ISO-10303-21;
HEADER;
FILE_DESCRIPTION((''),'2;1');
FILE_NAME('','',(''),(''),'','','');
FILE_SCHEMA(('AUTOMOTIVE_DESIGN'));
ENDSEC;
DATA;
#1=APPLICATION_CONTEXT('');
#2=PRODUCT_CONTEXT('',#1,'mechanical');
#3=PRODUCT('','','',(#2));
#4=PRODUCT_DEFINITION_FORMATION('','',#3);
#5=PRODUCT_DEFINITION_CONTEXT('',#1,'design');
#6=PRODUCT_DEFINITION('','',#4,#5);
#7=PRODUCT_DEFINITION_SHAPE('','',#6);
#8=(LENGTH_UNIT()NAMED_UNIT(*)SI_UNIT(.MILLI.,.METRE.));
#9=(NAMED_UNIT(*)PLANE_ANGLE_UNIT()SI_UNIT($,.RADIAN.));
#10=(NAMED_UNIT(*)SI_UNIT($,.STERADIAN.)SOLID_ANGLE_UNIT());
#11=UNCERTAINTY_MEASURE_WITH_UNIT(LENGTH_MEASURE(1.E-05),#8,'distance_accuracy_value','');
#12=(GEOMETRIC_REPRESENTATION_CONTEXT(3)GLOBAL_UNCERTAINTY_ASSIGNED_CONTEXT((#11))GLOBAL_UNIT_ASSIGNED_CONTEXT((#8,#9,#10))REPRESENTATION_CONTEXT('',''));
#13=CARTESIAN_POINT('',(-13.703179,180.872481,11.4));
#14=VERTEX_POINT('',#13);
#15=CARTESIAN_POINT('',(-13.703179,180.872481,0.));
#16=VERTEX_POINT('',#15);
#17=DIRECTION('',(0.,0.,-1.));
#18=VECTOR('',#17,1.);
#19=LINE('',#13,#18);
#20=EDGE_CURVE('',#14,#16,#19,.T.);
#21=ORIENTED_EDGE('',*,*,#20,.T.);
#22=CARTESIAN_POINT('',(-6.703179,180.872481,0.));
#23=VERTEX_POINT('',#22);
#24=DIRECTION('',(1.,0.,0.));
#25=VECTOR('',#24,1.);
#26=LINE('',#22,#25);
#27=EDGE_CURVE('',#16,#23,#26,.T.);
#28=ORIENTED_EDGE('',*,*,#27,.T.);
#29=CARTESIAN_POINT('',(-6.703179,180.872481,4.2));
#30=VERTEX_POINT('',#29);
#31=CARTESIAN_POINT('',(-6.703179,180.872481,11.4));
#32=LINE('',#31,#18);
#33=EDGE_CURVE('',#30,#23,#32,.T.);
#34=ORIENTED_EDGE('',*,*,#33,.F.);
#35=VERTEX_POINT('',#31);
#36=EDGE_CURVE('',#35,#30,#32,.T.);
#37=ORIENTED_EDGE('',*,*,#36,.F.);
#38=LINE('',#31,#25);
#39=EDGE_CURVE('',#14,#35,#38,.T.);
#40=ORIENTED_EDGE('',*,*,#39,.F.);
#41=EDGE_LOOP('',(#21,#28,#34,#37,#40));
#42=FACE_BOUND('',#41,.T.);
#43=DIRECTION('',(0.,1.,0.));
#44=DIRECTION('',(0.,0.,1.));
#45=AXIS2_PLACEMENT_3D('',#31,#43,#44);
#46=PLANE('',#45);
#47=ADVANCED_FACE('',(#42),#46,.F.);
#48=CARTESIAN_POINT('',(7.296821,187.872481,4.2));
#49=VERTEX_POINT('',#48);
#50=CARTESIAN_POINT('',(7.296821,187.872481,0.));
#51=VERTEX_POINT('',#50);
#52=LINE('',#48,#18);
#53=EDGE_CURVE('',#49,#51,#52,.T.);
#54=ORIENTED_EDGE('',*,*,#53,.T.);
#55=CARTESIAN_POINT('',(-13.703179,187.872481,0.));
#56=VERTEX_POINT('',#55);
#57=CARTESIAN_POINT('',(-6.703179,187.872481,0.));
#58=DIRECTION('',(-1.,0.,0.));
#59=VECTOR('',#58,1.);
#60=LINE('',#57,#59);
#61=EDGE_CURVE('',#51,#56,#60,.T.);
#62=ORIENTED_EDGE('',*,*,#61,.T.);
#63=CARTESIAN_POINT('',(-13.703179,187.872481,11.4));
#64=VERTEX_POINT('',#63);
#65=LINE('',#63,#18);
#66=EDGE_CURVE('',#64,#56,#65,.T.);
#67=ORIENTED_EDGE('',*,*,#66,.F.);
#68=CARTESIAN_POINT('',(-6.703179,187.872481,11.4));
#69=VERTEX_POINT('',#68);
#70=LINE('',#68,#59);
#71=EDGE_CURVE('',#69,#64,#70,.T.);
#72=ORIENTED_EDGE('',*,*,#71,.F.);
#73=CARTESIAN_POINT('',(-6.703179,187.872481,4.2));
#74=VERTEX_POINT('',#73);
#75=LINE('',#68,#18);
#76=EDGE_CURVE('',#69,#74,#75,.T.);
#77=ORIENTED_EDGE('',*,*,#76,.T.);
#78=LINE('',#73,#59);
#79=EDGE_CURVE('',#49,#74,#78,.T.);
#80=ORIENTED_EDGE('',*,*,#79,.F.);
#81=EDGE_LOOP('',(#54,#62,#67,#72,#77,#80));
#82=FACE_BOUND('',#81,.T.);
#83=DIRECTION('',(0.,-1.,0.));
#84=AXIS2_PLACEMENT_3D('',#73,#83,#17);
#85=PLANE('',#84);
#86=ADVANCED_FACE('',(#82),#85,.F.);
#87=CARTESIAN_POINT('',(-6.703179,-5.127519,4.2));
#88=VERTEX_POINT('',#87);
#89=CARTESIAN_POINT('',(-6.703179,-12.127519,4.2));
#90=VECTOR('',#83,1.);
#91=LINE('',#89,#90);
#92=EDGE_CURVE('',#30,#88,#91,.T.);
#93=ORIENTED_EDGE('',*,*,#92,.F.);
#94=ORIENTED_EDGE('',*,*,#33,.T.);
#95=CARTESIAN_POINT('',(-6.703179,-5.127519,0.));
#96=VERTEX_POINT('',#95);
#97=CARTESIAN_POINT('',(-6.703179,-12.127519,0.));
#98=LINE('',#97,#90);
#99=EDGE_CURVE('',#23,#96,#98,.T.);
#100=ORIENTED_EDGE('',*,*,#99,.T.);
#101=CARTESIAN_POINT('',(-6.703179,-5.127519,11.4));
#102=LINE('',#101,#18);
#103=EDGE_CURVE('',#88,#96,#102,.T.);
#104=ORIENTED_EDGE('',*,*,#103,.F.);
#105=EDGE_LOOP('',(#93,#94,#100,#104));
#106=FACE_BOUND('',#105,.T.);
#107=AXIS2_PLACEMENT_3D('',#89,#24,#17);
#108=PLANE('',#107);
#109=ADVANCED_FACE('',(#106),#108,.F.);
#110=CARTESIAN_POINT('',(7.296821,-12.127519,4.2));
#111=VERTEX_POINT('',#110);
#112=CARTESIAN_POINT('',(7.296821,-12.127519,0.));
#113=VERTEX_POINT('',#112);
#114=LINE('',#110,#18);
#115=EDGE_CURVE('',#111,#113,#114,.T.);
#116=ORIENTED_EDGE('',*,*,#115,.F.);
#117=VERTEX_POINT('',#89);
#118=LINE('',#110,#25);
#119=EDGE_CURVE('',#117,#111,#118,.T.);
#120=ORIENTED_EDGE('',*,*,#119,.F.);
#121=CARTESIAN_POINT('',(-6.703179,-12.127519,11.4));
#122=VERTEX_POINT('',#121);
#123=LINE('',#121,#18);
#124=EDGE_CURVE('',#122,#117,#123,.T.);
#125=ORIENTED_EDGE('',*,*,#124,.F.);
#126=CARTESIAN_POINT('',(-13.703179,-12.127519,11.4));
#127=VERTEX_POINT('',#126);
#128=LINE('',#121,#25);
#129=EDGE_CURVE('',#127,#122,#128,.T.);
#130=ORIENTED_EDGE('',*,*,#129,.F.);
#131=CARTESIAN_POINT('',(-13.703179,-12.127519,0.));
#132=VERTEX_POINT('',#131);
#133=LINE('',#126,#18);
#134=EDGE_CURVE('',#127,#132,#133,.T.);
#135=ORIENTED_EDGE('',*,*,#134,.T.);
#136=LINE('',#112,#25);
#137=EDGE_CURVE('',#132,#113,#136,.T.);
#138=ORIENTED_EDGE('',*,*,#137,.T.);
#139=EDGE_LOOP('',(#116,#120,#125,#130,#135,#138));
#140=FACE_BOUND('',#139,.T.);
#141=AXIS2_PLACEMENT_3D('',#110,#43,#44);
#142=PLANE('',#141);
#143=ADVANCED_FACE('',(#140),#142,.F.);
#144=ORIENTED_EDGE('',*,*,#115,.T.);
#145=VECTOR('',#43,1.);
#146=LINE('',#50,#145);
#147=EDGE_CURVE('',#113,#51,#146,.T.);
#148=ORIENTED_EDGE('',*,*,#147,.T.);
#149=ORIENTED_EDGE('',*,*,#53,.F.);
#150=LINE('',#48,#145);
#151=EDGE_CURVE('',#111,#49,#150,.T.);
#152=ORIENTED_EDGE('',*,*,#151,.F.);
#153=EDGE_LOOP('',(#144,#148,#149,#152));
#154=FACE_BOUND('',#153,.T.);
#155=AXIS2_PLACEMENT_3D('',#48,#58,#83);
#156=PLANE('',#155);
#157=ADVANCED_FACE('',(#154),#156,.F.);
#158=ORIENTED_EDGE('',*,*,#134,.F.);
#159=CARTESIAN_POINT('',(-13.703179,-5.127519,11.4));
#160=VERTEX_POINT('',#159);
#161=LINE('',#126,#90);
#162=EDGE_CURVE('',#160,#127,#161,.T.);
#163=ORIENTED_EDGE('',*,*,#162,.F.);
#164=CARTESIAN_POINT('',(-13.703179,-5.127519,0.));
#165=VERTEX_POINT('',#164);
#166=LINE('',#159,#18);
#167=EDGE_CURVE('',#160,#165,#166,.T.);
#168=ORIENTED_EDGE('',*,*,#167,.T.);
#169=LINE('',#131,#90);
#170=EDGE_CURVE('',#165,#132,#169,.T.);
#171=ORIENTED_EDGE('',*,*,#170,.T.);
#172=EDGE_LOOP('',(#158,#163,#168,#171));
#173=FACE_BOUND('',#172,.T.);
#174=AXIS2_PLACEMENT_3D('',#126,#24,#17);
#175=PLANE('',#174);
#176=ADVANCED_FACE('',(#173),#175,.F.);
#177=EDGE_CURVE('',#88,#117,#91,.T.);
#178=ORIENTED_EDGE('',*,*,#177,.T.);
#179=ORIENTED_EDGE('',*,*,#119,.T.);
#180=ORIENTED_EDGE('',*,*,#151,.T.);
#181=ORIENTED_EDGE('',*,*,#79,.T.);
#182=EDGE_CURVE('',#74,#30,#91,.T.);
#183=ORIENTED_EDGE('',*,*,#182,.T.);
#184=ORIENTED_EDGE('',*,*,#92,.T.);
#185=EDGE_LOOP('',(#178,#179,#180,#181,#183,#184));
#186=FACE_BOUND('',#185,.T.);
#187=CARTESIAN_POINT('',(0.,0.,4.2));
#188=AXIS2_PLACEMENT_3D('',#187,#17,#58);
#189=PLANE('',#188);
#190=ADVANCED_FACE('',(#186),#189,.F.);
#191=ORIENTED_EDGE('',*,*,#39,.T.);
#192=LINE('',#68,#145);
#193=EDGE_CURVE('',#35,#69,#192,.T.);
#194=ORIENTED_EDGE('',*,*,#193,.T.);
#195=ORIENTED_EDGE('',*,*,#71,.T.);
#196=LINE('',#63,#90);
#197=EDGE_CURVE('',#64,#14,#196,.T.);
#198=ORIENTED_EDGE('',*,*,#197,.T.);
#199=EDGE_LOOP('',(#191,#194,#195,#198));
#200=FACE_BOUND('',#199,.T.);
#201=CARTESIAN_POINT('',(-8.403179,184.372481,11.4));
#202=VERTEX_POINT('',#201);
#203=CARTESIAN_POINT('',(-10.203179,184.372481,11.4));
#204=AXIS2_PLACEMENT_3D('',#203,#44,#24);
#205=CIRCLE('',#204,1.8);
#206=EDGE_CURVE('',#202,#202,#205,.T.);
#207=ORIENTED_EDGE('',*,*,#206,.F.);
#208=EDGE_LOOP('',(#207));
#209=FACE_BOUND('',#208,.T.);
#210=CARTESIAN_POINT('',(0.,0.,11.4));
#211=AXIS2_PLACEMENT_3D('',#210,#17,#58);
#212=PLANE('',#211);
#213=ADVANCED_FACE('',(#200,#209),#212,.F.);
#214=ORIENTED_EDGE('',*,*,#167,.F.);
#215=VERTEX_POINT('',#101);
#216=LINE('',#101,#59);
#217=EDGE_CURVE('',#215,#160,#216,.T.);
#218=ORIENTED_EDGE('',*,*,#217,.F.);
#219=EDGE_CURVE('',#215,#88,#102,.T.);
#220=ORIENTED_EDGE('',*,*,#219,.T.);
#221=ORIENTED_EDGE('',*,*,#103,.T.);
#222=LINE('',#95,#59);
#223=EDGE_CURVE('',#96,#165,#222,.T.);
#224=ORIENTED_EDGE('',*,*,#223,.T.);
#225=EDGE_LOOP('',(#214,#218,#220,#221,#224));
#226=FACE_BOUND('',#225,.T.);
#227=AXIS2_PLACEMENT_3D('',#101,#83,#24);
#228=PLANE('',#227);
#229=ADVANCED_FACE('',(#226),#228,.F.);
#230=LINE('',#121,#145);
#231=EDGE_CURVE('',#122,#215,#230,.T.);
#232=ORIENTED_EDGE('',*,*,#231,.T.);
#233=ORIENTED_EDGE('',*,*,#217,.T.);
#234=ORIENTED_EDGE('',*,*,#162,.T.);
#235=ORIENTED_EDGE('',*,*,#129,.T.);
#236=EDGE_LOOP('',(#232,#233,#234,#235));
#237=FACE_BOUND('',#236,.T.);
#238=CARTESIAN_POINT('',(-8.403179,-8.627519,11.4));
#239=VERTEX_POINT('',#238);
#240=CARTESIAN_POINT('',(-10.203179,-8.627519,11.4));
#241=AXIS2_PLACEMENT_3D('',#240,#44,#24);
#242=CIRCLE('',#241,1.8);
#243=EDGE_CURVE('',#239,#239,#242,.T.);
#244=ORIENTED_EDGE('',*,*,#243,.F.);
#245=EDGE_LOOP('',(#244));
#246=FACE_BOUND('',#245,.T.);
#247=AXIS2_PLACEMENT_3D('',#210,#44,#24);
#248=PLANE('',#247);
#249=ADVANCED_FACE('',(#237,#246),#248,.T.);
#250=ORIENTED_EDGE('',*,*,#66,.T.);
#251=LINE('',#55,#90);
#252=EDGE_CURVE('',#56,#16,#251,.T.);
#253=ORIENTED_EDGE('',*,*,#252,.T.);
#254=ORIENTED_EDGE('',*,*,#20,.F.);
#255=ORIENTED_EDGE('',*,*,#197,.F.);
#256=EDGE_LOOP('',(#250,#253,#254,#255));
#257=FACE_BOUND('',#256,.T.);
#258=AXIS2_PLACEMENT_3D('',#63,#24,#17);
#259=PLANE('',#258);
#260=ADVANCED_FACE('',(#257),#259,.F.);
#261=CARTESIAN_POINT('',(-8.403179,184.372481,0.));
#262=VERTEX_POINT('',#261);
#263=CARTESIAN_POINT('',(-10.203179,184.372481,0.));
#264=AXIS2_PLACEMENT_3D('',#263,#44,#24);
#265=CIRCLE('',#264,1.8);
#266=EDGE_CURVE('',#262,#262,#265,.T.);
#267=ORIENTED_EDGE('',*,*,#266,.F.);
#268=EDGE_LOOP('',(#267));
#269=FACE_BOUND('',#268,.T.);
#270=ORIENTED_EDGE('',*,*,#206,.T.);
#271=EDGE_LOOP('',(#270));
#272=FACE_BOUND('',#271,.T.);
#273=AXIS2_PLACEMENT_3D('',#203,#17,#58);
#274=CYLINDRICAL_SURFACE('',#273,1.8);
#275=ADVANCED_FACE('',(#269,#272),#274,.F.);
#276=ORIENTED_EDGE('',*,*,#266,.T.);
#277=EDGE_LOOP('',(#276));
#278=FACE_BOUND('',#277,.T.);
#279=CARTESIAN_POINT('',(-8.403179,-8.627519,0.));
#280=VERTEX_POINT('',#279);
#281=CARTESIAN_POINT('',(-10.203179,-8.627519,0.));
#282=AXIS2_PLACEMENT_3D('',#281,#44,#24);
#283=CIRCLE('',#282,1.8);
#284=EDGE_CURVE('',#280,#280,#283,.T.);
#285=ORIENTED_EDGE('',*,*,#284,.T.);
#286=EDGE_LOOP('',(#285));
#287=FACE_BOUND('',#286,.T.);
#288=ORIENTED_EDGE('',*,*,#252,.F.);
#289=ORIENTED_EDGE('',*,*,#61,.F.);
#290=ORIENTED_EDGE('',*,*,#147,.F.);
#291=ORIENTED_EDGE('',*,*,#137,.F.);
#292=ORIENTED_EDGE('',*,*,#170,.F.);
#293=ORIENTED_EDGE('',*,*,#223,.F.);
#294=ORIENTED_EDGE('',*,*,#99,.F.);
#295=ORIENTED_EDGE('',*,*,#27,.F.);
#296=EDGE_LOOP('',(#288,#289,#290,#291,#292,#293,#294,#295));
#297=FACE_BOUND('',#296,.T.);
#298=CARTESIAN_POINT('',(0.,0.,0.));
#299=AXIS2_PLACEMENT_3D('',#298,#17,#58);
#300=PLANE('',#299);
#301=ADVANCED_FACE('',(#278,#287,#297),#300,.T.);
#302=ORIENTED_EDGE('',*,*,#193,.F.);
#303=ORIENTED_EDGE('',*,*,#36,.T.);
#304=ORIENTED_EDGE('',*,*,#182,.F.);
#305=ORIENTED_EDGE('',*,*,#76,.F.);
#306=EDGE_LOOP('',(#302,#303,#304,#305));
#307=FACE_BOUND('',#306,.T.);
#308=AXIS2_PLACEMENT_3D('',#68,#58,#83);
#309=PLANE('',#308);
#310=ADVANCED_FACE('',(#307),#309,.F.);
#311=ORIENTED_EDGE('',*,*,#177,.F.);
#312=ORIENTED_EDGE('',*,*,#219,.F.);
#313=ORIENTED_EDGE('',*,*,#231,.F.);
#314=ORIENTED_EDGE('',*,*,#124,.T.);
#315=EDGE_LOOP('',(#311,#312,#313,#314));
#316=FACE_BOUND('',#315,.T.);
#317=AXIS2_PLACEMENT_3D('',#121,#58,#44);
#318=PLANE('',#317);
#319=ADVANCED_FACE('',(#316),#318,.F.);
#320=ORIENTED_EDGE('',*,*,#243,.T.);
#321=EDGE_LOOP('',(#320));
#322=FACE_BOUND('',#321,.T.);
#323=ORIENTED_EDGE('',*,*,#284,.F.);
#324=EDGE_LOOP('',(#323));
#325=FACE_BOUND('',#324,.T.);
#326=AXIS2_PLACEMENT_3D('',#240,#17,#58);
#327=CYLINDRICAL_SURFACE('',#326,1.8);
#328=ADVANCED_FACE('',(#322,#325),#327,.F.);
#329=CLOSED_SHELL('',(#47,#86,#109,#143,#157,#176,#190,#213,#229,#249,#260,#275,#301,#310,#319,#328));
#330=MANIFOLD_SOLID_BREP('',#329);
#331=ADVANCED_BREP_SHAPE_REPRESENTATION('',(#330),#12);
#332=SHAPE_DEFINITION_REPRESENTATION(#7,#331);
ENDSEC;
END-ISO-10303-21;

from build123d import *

# Parameters (mm, degrees)
SKETCH_1_W      = 14
SKETCH_1_H      = 200
EXTRUDE_1_DEPTH = 4.2
SKETCH_4_W      = 7
SKETCH_4_H      = 7
SKETCH_4_R      = 1.8
EXTRUDE_2_DEPTH = 11.4


with BuildPart() as part:
    # Эскиз1 → Бобышка-Вытянуть1 (new body)
    with BuildSketch(Plane.XY):
        with Locations((0.29682076, 87.872480945)):
            Rectangle(SKETCH_1_W, SKETCH_1_H)
    extrude(amount=EXTRUDE_1_DEPTH)

    # Эскиз4 → Бобышка-Вытянуть2 (add)
    # profile 1 of 2: a face of its own
    with BuildSketch(Plane.XY):
        with Locations((-10.20317924, -8.627519055)):
            Rectangle(SKETCH_4_W, SKETCH_4_H)
        with Locations((-10.20317924, -8.627519055)):
            Circle(SKETCH_4_R, mode=Mode.SUBTRACT)
    # profile 2 of 2: a face of its own
    with BuildSketch(Plane.XY):
        with Locations((-10.20317924, 184.372480945)):
            Rectangle(SKETCH_4_W, SKETCH_4_H)
        with Locations((-10.20317924, 184.372480945)):
            Circle(SKETCH_4_R, mode=Mode.SUBTRACT)
    extrude(amount=EXTRUDE_2_DEPTH)


solid = part.part
